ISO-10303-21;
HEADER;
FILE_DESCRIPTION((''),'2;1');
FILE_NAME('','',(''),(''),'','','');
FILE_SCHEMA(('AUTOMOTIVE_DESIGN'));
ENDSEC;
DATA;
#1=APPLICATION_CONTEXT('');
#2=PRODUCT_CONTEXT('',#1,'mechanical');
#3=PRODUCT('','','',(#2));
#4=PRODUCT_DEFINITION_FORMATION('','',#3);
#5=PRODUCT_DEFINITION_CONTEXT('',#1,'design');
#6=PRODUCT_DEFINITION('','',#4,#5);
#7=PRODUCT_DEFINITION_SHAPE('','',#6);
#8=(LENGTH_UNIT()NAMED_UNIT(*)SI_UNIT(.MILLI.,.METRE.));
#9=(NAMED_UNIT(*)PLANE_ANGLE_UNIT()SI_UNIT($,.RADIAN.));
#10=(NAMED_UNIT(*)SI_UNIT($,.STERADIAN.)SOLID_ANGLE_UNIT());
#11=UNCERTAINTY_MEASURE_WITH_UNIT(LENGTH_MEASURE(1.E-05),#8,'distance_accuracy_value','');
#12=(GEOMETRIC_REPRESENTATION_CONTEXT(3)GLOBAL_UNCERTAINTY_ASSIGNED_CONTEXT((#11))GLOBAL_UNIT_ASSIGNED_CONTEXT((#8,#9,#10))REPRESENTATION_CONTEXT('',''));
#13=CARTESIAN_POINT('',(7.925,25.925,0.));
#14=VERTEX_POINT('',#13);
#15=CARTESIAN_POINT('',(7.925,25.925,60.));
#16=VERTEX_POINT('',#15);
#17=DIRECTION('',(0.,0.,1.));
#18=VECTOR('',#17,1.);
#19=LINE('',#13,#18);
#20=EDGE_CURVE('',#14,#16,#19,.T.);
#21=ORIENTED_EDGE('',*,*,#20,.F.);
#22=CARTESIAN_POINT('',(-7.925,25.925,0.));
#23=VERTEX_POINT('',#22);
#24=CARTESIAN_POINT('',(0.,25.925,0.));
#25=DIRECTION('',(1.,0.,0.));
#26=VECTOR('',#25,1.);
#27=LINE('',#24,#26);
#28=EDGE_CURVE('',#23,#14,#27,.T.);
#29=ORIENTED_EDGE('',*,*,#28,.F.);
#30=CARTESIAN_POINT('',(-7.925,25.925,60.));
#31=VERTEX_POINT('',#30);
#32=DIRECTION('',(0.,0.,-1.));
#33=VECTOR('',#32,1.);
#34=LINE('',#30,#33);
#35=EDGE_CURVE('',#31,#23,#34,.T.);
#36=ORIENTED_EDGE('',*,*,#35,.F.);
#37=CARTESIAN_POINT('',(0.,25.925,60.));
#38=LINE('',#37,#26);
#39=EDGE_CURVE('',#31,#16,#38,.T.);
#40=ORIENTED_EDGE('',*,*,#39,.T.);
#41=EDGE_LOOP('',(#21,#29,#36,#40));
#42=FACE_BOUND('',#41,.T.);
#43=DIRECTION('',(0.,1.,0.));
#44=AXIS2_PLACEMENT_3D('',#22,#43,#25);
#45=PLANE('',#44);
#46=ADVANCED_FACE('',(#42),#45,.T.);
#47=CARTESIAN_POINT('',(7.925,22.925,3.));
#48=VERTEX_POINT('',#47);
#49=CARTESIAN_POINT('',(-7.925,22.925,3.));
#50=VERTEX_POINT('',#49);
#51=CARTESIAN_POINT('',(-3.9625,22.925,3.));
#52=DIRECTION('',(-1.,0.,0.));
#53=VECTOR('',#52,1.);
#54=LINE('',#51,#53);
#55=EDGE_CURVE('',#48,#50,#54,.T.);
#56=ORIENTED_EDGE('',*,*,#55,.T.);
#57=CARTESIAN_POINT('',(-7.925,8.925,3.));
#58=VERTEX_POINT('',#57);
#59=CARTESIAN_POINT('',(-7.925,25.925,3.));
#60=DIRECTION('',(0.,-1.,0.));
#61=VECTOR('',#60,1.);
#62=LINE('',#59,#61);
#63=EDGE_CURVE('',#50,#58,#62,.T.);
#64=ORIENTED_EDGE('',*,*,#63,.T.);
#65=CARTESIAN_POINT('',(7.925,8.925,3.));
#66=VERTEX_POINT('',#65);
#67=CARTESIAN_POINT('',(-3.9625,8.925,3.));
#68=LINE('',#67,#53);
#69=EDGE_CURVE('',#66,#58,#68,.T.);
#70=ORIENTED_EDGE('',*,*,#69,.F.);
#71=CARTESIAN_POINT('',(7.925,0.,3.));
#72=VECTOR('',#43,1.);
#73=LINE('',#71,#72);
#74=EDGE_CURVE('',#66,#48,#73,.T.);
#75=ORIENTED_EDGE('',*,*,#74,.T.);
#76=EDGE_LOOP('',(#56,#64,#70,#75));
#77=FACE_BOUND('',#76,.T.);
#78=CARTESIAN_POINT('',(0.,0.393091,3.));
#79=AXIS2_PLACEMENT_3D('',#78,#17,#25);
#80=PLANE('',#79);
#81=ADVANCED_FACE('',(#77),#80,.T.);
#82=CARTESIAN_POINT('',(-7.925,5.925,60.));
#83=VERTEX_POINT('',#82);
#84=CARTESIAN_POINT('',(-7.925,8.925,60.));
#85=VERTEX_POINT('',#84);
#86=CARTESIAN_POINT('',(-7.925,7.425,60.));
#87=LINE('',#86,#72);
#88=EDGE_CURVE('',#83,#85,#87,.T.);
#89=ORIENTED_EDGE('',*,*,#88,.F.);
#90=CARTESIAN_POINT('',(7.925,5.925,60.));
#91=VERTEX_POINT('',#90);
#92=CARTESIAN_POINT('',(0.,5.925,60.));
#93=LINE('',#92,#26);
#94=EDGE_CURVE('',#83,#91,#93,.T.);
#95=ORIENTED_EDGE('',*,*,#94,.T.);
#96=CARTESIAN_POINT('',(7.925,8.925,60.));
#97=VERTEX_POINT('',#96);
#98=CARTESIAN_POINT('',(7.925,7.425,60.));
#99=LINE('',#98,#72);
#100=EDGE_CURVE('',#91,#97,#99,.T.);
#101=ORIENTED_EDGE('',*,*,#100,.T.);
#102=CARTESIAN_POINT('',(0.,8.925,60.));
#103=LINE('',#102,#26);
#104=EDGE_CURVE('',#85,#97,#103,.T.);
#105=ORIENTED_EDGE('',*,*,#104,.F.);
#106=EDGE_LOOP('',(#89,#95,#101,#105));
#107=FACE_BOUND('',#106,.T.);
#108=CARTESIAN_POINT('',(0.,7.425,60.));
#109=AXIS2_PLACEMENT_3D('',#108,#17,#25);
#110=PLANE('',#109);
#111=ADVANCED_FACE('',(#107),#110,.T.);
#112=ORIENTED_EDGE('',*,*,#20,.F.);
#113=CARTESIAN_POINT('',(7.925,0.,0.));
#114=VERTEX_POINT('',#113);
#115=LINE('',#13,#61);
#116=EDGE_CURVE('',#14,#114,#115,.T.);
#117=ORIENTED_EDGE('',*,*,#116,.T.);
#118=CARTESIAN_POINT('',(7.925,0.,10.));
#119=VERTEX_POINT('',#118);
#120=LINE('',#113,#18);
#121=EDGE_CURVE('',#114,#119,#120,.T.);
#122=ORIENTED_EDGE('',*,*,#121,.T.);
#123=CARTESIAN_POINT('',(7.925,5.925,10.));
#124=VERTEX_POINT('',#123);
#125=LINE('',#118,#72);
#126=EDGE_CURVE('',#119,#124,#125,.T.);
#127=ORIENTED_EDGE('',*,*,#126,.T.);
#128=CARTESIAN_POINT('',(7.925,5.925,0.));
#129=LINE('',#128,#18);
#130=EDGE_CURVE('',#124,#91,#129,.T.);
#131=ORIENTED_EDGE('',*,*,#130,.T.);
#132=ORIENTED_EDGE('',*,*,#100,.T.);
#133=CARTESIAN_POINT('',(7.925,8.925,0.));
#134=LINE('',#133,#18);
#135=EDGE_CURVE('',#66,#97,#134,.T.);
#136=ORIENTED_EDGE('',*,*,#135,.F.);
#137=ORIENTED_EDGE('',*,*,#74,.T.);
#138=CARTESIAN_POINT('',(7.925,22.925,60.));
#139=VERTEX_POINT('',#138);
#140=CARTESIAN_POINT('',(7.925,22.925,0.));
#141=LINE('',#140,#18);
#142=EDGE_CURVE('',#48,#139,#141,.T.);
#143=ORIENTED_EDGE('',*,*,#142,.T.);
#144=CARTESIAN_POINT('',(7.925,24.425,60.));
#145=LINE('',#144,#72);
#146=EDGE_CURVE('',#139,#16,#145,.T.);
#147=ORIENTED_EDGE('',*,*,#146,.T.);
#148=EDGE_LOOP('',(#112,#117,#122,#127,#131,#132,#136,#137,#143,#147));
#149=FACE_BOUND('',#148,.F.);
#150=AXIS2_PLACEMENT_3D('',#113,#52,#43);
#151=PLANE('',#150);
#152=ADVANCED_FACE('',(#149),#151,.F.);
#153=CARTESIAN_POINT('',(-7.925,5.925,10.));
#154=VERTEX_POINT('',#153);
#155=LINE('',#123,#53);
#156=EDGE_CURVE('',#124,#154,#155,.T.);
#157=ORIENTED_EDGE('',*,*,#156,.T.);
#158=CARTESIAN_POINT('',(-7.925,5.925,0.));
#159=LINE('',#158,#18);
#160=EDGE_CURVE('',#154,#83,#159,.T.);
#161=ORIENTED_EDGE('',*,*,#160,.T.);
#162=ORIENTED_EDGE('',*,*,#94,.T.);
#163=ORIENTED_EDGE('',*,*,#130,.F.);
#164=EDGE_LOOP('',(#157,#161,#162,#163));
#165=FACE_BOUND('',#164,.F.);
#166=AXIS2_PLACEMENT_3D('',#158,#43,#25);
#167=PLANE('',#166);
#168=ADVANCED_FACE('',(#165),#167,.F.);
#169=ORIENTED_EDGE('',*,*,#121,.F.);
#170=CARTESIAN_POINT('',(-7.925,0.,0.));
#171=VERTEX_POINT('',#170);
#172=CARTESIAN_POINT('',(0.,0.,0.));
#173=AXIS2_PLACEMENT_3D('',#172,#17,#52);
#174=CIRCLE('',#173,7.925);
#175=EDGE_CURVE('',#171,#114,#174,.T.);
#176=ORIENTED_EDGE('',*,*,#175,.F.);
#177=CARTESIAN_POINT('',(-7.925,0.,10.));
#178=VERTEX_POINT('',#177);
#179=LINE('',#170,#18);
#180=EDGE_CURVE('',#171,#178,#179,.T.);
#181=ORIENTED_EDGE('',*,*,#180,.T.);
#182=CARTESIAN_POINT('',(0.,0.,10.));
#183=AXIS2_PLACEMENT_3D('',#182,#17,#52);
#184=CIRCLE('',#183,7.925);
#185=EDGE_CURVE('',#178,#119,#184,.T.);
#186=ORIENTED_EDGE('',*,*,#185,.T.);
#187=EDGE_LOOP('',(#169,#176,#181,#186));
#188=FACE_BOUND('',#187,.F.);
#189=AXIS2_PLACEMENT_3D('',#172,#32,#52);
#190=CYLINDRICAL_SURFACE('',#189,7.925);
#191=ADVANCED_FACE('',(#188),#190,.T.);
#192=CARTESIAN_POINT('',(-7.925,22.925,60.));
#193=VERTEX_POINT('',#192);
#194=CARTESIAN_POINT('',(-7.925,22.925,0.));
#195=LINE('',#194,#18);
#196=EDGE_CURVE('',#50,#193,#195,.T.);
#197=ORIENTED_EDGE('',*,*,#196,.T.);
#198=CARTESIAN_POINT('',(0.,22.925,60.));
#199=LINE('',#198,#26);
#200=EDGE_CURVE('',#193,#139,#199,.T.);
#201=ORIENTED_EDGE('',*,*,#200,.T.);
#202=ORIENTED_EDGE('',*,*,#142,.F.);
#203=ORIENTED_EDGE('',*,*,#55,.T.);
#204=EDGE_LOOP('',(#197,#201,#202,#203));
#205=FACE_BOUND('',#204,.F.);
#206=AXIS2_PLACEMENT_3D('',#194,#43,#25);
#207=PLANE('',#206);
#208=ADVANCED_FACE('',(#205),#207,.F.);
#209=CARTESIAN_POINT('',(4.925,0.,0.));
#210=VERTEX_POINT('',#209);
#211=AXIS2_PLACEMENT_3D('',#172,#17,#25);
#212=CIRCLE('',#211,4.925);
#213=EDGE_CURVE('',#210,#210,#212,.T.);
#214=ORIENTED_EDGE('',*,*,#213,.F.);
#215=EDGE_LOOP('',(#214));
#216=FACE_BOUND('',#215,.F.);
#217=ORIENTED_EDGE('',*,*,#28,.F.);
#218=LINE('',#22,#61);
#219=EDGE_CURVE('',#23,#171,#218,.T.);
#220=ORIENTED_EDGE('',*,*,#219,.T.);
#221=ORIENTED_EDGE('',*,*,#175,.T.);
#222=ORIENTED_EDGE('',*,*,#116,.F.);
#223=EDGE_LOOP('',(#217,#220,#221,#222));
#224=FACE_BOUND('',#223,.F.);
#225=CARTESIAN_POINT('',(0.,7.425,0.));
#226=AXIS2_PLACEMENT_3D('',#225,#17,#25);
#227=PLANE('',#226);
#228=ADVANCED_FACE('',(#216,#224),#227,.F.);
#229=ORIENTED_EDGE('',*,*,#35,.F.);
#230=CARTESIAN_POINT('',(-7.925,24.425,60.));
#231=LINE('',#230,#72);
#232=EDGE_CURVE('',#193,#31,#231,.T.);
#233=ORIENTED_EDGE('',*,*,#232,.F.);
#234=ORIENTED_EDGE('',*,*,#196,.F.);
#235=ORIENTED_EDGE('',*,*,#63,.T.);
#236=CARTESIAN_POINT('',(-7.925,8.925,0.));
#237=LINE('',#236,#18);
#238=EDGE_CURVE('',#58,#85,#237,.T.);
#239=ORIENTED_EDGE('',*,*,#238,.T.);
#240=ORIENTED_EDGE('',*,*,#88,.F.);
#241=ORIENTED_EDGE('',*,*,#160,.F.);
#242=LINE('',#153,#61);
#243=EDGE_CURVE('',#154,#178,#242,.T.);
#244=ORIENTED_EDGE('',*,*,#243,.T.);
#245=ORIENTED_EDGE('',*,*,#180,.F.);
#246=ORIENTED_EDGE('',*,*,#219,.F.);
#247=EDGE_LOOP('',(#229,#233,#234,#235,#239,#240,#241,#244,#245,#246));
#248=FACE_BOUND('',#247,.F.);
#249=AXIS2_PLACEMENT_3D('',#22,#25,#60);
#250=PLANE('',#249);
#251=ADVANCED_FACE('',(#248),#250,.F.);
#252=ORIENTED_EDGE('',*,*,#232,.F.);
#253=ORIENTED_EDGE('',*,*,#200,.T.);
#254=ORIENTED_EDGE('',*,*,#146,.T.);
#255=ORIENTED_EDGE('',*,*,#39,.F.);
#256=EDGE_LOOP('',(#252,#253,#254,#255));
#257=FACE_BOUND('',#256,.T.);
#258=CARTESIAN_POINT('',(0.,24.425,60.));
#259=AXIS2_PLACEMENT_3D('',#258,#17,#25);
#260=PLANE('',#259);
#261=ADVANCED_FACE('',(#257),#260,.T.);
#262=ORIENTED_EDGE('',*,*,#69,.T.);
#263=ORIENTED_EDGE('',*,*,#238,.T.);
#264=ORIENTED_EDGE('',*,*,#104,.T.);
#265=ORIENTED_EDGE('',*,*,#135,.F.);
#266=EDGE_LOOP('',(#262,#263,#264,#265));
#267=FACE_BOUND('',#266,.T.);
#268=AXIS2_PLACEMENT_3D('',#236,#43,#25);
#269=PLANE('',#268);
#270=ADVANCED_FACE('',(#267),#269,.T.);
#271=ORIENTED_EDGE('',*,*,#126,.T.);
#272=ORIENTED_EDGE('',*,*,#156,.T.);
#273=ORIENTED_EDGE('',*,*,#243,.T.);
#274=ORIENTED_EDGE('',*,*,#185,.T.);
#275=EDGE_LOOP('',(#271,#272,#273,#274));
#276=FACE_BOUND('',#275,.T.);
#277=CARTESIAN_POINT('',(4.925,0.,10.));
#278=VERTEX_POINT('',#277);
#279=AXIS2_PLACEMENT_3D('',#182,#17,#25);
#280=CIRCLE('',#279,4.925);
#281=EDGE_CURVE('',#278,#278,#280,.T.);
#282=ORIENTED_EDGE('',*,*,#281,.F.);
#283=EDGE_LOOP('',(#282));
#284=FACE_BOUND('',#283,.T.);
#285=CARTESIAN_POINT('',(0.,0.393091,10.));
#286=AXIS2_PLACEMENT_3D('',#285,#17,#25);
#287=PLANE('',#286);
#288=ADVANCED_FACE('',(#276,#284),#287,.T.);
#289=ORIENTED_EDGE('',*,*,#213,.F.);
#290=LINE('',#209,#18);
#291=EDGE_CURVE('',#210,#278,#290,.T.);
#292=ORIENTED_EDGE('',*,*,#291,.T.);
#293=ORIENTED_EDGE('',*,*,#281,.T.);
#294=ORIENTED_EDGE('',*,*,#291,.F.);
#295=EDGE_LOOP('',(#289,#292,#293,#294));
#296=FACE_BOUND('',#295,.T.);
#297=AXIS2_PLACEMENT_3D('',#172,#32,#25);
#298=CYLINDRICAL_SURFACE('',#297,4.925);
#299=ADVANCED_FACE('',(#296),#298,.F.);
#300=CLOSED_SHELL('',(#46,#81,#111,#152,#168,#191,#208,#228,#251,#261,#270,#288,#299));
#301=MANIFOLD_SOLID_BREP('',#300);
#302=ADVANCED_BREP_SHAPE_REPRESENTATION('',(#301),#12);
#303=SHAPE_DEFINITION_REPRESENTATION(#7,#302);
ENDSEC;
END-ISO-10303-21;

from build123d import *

# Parameters (mm, degrees)
F0_R     = 4.925
F0_W     = 15.85
F0_H     = 3
F0_H_2   = 14
F1_DEPTH = 3
F2_DEPTH = 60
F3_DEPTH = 10


with BuildPart() as f1:
    # F0 (on Top) → F1 (new body)
    with BuildSketch(Plane.XY):
        with BuildLine():
            Line((-7.925, 5.925), (-7.925, 0))
            ThreePointArc((-7.925, 0), (0, -7.925), (7.925, 0))
            Line((7.925, 0), (7.925, 5.925))
            Line((7.925, 5.925), (-7.925, 5.925))
        make_face()
        Circle(F0_R, mode=Mode.SUBTRACT)
        with Locations((0, 7.425)):
            Rectangle(F0_W, F0_H)
        with Locations((0, 15.925)):
            Rectangle(F0_W, F0_H_2)
        with Locations((0, 24.425)):
            Rectangle(F0_W, F0_H)
    extrude(amount=F1_DEPTH)

    # F0 (on Top) → F2 (join)
    with BuildSketch(Plane.XY):
        with Locations((0, 7.425)):
            Rectangle(F0_W, F0_H)
        with Locations((0, 24.425)):
            Rectangle(F0_W, F0_H)
    extrude(amount=F2_DEPTH)

    # F0 (on Top) → F3 (join)
    with BuildSketch(Plane.XY):
        with BuildLine():
            Line((-7.925, 5.925), (-7.925, 0))
            ThreePointArc((-7.925, 0), (0, -7.925), (7.925, 0))
            Line((7.925, 0), (7.925, 5.925))
            Line((7.925, 5.925), (-7.925, 5.925))
        make_face()
        Circle(F0_R, mode=Mode.SUBTRACT)
    extrude(amount=F3_DEPTH)


solid = f1.part
